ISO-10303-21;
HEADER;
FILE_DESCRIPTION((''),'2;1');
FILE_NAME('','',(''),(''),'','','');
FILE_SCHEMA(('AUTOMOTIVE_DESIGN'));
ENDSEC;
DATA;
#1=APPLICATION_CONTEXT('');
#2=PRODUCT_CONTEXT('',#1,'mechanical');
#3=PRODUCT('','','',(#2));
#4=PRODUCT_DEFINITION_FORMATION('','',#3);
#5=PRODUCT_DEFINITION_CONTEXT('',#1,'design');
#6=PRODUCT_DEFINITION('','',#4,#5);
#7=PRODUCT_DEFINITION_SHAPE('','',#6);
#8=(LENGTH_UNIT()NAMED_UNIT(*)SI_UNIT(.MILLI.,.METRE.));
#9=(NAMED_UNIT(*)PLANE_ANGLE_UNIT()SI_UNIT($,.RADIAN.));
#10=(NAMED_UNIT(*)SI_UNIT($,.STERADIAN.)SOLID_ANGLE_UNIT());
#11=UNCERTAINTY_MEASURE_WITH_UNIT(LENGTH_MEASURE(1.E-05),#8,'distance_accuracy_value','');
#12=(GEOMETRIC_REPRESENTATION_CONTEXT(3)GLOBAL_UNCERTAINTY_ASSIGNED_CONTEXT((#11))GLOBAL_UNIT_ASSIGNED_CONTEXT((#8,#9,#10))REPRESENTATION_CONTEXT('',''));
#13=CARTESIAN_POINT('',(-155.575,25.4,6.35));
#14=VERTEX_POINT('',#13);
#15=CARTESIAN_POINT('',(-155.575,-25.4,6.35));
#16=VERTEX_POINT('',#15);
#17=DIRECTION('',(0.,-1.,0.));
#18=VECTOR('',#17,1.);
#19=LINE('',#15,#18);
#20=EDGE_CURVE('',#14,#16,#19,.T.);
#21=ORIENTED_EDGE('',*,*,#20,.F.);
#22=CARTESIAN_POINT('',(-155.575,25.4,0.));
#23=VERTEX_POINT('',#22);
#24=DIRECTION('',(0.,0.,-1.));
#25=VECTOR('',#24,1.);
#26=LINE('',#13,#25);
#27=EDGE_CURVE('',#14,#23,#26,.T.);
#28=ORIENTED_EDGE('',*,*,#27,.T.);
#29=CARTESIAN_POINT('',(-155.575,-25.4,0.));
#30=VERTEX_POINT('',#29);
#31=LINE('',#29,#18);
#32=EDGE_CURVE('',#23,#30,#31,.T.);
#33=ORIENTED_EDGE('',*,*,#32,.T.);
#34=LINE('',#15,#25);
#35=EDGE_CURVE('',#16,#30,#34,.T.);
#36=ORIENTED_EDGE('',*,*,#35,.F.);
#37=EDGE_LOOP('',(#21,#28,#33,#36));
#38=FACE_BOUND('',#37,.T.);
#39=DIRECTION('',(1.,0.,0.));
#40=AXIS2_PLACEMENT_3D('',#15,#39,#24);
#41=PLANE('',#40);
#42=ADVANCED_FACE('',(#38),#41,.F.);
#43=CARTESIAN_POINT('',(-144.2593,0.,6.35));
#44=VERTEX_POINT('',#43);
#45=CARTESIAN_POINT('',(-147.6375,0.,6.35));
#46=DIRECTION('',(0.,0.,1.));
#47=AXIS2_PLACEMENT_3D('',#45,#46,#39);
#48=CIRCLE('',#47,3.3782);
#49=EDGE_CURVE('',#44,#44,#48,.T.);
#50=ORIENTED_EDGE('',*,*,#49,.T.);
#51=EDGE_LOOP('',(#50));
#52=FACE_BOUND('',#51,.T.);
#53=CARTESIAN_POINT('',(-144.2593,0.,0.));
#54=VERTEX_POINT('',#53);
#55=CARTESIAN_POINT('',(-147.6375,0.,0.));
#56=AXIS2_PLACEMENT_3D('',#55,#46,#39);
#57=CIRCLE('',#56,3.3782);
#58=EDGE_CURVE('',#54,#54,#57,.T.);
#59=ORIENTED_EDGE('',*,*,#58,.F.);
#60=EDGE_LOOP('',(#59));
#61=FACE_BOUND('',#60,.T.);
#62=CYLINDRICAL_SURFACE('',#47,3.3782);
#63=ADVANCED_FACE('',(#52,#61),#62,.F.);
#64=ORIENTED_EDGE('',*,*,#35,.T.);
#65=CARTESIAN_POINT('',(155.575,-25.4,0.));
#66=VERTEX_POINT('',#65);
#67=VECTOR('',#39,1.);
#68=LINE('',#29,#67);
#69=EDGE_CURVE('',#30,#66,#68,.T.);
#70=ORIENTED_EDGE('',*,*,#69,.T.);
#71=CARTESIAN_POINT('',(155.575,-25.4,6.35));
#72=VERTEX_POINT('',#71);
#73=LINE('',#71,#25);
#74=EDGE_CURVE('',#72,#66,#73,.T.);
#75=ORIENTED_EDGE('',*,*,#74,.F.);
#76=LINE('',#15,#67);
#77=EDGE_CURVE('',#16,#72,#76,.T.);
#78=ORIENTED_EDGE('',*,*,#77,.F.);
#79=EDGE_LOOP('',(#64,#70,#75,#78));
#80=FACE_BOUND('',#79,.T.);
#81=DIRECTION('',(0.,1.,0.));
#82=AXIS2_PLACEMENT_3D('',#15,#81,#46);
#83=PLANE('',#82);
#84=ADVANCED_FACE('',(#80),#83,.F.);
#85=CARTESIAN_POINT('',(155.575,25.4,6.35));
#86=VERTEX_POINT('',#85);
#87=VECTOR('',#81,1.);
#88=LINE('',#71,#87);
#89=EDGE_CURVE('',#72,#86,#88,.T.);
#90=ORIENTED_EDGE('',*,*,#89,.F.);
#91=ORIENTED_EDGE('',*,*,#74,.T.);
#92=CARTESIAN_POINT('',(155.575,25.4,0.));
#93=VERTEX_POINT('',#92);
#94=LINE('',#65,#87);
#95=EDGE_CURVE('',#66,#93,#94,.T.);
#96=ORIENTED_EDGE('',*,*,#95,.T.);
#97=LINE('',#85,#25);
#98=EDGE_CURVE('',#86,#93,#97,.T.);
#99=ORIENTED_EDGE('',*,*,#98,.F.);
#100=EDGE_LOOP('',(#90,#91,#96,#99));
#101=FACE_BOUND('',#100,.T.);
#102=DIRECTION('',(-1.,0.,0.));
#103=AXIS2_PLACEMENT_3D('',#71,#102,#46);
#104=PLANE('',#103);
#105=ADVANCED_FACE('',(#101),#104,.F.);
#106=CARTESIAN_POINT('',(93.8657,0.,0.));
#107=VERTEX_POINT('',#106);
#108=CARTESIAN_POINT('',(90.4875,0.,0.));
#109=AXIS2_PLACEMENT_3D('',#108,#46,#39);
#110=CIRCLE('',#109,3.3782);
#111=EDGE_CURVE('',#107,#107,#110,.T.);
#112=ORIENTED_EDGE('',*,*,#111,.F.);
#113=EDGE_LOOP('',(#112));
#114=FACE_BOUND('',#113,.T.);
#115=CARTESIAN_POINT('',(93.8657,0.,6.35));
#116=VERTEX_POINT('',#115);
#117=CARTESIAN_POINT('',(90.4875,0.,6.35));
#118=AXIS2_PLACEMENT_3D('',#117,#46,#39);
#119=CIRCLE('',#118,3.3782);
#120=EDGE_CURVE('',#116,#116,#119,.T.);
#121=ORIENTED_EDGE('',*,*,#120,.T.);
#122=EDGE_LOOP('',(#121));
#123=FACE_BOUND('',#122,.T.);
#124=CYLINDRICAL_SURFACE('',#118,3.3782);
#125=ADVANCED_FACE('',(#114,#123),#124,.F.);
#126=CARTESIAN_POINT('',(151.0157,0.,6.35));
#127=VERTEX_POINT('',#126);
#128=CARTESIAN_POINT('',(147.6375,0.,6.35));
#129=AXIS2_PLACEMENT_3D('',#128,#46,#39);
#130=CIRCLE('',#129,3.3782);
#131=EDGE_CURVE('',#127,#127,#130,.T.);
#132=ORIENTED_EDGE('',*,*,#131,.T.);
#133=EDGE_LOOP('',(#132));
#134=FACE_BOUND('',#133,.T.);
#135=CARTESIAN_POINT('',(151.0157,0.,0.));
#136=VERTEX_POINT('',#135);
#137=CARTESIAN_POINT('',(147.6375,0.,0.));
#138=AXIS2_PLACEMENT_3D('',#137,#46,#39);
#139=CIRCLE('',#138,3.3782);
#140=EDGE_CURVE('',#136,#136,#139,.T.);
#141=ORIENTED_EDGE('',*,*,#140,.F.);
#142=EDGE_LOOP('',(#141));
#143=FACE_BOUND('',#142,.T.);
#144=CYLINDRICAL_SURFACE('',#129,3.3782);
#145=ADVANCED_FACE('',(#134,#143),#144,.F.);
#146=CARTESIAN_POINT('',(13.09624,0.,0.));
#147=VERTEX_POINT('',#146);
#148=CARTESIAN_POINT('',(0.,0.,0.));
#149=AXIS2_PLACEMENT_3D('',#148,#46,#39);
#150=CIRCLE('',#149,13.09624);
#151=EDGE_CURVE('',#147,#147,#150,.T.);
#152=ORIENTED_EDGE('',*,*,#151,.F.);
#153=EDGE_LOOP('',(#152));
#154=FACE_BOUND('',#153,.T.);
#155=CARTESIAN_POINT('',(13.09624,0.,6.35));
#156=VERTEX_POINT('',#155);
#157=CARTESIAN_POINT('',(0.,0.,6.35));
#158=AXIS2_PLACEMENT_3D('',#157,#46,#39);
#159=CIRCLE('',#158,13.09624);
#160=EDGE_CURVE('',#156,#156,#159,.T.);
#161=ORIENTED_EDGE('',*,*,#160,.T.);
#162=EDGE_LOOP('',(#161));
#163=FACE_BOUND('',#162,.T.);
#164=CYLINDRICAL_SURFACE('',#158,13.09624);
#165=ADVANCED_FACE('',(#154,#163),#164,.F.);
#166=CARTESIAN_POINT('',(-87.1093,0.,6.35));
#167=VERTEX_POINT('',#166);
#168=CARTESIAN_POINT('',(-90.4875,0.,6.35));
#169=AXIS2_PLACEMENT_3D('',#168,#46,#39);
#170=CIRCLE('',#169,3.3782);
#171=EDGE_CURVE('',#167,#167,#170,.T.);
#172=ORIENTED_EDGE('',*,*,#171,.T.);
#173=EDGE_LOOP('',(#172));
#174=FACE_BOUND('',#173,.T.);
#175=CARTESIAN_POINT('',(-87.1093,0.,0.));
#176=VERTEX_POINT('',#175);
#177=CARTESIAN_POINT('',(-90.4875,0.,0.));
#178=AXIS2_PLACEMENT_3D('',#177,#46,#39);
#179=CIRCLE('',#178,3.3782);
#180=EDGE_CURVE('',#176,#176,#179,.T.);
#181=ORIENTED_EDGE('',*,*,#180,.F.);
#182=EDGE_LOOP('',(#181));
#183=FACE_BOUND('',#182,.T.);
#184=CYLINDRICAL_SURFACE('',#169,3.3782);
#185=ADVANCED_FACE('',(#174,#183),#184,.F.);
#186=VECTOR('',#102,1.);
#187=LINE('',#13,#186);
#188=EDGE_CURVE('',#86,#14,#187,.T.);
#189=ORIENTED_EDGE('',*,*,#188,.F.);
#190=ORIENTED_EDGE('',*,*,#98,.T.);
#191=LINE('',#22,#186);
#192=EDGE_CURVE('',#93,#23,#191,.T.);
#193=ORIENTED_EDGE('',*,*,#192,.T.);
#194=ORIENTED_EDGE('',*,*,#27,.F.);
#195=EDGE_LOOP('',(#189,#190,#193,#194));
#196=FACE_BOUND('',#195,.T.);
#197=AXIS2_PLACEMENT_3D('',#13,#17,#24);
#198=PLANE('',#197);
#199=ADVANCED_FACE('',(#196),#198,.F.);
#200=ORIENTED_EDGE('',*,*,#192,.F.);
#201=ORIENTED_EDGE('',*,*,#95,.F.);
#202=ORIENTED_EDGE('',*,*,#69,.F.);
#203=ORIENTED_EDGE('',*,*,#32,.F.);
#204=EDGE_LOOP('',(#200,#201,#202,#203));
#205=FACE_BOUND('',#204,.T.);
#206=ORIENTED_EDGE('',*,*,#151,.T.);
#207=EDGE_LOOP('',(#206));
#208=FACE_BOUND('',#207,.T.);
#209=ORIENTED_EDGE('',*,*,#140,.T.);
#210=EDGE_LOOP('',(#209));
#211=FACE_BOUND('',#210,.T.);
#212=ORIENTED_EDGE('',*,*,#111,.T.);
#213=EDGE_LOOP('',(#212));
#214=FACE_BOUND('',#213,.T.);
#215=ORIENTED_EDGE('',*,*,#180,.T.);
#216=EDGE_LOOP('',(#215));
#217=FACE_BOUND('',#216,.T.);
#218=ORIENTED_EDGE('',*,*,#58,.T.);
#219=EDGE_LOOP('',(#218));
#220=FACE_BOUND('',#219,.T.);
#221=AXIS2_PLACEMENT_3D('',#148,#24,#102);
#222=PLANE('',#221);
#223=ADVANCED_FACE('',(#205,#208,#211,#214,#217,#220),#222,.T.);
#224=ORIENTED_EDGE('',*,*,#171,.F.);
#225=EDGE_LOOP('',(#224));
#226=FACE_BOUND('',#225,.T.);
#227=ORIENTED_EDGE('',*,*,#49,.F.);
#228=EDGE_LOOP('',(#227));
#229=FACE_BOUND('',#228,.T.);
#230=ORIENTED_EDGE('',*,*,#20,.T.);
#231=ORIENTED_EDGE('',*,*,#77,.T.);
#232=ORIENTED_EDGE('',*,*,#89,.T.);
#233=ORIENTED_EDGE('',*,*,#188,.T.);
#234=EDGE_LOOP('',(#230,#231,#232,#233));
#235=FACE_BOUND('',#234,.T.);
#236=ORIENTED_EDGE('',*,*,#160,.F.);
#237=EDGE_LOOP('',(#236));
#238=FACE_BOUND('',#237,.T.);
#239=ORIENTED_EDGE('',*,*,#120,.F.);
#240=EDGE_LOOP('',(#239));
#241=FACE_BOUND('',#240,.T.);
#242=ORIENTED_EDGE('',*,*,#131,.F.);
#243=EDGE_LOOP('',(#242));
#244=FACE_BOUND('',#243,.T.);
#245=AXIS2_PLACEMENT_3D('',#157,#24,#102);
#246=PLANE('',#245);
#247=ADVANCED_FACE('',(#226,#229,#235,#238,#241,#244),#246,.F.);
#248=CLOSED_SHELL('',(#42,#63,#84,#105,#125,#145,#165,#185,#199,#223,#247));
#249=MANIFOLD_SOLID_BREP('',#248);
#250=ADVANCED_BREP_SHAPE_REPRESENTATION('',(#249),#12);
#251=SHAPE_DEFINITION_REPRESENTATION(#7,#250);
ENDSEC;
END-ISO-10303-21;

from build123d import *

# Parameters (mm, degrees)
SKETCH1_W               = 311.15
SKETCH1_H               = 50.8
BOSS_EXTRUDE1_DEPTH     = 6.35
F_1_CLEARANCE_HOLE1_D   = 26.19248
F_1_4_CLEARANCE_HOLE1_D = 6.7564


with BuildPart() as part:
    # Sketch1 → Boss-Extrude1 (new body)
    with BuildSketch(Plane.XY):
        Rectangle(SKETCH1_W, SKETCH1_H)
    extrude(amount=BOSS_EXTRUDE1_DEPTH)

    # 1 Clearance Hole1 (through all)
    with Locations(Plane.XY.offset(6.35)):
        with Locations((0, 0)):
            Hole(F_1_CLEARANCE_HOLE1_D / 2)

    # 1/4 Clearance Hole1 (through all)
    with Locations(Plane.XY.offset(6.35)):
        with Locations((-147.6375, 0), (-90.4875, 0)):
            f_1_4_clearance_hole1 = Hole(F_1_4_CLEARANCE_HOLE1_D / 2)

    # Mirror1: 1/4 Clearance Hole1 across plane
    add(f_1_4_clearance_hole1.mirror(Plane(origin=(0, 0, 0), x_dir=(0, 0, 1), z_dir=(1, 0, 0))), mode=Mode.SUBTRACT)


solid = part.part
